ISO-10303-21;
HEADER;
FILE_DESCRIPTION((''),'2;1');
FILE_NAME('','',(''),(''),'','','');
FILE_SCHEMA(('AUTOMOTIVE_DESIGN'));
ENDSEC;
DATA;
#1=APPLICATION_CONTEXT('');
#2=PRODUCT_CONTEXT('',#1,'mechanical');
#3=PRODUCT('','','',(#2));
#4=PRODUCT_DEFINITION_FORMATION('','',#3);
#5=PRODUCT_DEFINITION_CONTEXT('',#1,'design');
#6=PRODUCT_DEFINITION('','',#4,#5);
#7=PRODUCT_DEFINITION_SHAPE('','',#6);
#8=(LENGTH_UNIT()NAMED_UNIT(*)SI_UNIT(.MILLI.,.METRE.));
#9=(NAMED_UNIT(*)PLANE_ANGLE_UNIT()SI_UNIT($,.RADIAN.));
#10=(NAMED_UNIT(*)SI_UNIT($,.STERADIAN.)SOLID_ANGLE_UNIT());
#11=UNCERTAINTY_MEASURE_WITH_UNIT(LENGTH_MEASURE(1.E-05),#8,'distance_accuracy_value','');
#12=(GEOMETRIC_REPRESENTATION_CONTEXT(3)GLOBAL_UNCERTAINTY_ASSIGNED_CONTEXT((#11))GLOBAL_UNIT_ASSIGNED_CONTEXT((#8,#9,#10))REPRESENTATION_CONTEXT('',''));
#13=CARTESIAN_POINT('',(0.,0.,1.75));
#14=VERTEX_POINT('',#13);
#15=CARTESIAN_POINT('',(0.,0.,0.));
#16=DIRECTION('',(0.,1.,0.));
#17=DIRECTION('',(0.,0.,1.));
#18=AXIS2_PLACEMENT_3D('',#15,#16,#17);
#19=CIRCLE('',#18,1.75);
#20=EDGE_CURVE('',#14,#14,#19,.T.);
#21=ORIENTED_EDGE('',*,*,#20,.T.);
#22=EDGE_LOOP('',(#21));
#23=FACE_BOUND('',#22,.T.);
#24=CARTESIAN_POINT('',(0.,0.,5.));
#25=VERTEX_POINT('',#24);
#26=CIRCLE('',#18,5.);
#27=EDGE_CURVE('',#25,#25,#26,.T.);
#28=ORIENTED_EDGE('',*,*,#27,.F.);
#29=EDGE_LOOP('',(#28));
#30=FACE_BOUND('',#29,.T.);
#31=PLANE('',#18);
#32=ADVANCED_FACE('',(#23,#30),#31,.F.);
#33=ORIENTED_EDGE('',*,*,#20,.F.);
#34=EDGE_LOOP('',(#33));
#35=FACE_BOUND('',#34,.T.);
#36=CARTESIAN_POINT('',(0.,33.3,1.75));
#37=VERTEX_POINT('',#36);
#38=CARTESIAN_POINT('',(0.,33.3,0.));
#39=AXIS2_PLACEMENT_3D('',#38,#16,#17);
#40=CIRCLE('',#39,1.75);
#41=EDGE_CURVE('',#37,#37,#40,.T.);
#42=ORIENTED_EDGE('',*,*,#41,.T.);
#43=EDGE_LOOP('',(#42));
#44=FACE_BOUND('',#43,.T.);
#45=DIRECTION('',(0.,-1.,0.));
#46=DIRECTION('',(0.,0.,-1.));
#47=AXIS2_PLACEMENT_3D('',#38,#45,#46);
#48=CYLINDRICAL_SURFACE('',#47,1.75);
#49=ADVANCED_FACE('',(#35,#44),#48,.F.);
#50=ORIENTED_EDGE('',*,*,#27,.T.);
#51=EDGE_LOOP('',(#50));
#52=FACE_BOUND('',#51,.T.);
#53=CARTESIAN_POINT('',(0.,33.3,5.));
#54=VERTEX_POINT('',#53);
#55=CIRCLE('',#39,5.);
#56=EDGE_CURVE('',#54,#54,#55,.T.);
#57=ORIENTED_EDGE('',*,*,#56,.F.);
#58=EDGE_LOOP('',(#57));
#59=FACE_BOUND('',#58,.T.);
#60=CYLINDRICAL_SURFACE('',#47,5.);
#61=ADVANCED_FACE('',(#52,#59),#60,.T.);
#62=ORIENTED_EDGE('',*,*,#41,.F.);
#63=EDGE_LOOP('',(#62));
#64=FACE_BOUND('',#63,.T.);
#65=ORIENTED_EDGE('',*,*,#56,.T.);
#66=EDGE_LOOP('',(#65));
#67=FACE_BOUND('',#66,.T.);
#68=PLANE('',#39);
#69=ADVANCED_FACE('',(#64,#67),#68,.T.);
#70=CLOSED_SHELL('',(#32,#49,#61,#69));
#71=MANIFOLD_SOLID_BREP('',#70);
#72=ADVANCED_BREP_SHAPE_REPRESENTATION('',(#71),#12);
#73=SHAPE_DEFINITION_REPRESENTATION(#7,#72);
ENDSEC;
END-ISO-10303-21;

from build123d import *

# Parameters (mm, degrees)
SKETCH1_R           = 5
SKETCH1_R_2         = 1.75
BOSS_EXTRUDE1_DEPTH = 33.3


with BuildPart() as part:
    # Sketch1 → Boss-Extrude1 (new body)
    with BuildSketch(Plane(origin=(0, 0, 0), x_dir=(1, 0, 0), z_dir=(0, 1, 0))):
        with Locations(Location((0, 0, 0), (0, 0, 270))):
            Circle(SKETCH1_R)
        with Locations(Location((0, 0, 0), (0, 0, 270))):
            Circle(SKETCH1_R_2, mode=Mode.SUBTRACT)
    extrude(amount=BOSS_EXTRUDE1_DEPTH)


solid = part.part
